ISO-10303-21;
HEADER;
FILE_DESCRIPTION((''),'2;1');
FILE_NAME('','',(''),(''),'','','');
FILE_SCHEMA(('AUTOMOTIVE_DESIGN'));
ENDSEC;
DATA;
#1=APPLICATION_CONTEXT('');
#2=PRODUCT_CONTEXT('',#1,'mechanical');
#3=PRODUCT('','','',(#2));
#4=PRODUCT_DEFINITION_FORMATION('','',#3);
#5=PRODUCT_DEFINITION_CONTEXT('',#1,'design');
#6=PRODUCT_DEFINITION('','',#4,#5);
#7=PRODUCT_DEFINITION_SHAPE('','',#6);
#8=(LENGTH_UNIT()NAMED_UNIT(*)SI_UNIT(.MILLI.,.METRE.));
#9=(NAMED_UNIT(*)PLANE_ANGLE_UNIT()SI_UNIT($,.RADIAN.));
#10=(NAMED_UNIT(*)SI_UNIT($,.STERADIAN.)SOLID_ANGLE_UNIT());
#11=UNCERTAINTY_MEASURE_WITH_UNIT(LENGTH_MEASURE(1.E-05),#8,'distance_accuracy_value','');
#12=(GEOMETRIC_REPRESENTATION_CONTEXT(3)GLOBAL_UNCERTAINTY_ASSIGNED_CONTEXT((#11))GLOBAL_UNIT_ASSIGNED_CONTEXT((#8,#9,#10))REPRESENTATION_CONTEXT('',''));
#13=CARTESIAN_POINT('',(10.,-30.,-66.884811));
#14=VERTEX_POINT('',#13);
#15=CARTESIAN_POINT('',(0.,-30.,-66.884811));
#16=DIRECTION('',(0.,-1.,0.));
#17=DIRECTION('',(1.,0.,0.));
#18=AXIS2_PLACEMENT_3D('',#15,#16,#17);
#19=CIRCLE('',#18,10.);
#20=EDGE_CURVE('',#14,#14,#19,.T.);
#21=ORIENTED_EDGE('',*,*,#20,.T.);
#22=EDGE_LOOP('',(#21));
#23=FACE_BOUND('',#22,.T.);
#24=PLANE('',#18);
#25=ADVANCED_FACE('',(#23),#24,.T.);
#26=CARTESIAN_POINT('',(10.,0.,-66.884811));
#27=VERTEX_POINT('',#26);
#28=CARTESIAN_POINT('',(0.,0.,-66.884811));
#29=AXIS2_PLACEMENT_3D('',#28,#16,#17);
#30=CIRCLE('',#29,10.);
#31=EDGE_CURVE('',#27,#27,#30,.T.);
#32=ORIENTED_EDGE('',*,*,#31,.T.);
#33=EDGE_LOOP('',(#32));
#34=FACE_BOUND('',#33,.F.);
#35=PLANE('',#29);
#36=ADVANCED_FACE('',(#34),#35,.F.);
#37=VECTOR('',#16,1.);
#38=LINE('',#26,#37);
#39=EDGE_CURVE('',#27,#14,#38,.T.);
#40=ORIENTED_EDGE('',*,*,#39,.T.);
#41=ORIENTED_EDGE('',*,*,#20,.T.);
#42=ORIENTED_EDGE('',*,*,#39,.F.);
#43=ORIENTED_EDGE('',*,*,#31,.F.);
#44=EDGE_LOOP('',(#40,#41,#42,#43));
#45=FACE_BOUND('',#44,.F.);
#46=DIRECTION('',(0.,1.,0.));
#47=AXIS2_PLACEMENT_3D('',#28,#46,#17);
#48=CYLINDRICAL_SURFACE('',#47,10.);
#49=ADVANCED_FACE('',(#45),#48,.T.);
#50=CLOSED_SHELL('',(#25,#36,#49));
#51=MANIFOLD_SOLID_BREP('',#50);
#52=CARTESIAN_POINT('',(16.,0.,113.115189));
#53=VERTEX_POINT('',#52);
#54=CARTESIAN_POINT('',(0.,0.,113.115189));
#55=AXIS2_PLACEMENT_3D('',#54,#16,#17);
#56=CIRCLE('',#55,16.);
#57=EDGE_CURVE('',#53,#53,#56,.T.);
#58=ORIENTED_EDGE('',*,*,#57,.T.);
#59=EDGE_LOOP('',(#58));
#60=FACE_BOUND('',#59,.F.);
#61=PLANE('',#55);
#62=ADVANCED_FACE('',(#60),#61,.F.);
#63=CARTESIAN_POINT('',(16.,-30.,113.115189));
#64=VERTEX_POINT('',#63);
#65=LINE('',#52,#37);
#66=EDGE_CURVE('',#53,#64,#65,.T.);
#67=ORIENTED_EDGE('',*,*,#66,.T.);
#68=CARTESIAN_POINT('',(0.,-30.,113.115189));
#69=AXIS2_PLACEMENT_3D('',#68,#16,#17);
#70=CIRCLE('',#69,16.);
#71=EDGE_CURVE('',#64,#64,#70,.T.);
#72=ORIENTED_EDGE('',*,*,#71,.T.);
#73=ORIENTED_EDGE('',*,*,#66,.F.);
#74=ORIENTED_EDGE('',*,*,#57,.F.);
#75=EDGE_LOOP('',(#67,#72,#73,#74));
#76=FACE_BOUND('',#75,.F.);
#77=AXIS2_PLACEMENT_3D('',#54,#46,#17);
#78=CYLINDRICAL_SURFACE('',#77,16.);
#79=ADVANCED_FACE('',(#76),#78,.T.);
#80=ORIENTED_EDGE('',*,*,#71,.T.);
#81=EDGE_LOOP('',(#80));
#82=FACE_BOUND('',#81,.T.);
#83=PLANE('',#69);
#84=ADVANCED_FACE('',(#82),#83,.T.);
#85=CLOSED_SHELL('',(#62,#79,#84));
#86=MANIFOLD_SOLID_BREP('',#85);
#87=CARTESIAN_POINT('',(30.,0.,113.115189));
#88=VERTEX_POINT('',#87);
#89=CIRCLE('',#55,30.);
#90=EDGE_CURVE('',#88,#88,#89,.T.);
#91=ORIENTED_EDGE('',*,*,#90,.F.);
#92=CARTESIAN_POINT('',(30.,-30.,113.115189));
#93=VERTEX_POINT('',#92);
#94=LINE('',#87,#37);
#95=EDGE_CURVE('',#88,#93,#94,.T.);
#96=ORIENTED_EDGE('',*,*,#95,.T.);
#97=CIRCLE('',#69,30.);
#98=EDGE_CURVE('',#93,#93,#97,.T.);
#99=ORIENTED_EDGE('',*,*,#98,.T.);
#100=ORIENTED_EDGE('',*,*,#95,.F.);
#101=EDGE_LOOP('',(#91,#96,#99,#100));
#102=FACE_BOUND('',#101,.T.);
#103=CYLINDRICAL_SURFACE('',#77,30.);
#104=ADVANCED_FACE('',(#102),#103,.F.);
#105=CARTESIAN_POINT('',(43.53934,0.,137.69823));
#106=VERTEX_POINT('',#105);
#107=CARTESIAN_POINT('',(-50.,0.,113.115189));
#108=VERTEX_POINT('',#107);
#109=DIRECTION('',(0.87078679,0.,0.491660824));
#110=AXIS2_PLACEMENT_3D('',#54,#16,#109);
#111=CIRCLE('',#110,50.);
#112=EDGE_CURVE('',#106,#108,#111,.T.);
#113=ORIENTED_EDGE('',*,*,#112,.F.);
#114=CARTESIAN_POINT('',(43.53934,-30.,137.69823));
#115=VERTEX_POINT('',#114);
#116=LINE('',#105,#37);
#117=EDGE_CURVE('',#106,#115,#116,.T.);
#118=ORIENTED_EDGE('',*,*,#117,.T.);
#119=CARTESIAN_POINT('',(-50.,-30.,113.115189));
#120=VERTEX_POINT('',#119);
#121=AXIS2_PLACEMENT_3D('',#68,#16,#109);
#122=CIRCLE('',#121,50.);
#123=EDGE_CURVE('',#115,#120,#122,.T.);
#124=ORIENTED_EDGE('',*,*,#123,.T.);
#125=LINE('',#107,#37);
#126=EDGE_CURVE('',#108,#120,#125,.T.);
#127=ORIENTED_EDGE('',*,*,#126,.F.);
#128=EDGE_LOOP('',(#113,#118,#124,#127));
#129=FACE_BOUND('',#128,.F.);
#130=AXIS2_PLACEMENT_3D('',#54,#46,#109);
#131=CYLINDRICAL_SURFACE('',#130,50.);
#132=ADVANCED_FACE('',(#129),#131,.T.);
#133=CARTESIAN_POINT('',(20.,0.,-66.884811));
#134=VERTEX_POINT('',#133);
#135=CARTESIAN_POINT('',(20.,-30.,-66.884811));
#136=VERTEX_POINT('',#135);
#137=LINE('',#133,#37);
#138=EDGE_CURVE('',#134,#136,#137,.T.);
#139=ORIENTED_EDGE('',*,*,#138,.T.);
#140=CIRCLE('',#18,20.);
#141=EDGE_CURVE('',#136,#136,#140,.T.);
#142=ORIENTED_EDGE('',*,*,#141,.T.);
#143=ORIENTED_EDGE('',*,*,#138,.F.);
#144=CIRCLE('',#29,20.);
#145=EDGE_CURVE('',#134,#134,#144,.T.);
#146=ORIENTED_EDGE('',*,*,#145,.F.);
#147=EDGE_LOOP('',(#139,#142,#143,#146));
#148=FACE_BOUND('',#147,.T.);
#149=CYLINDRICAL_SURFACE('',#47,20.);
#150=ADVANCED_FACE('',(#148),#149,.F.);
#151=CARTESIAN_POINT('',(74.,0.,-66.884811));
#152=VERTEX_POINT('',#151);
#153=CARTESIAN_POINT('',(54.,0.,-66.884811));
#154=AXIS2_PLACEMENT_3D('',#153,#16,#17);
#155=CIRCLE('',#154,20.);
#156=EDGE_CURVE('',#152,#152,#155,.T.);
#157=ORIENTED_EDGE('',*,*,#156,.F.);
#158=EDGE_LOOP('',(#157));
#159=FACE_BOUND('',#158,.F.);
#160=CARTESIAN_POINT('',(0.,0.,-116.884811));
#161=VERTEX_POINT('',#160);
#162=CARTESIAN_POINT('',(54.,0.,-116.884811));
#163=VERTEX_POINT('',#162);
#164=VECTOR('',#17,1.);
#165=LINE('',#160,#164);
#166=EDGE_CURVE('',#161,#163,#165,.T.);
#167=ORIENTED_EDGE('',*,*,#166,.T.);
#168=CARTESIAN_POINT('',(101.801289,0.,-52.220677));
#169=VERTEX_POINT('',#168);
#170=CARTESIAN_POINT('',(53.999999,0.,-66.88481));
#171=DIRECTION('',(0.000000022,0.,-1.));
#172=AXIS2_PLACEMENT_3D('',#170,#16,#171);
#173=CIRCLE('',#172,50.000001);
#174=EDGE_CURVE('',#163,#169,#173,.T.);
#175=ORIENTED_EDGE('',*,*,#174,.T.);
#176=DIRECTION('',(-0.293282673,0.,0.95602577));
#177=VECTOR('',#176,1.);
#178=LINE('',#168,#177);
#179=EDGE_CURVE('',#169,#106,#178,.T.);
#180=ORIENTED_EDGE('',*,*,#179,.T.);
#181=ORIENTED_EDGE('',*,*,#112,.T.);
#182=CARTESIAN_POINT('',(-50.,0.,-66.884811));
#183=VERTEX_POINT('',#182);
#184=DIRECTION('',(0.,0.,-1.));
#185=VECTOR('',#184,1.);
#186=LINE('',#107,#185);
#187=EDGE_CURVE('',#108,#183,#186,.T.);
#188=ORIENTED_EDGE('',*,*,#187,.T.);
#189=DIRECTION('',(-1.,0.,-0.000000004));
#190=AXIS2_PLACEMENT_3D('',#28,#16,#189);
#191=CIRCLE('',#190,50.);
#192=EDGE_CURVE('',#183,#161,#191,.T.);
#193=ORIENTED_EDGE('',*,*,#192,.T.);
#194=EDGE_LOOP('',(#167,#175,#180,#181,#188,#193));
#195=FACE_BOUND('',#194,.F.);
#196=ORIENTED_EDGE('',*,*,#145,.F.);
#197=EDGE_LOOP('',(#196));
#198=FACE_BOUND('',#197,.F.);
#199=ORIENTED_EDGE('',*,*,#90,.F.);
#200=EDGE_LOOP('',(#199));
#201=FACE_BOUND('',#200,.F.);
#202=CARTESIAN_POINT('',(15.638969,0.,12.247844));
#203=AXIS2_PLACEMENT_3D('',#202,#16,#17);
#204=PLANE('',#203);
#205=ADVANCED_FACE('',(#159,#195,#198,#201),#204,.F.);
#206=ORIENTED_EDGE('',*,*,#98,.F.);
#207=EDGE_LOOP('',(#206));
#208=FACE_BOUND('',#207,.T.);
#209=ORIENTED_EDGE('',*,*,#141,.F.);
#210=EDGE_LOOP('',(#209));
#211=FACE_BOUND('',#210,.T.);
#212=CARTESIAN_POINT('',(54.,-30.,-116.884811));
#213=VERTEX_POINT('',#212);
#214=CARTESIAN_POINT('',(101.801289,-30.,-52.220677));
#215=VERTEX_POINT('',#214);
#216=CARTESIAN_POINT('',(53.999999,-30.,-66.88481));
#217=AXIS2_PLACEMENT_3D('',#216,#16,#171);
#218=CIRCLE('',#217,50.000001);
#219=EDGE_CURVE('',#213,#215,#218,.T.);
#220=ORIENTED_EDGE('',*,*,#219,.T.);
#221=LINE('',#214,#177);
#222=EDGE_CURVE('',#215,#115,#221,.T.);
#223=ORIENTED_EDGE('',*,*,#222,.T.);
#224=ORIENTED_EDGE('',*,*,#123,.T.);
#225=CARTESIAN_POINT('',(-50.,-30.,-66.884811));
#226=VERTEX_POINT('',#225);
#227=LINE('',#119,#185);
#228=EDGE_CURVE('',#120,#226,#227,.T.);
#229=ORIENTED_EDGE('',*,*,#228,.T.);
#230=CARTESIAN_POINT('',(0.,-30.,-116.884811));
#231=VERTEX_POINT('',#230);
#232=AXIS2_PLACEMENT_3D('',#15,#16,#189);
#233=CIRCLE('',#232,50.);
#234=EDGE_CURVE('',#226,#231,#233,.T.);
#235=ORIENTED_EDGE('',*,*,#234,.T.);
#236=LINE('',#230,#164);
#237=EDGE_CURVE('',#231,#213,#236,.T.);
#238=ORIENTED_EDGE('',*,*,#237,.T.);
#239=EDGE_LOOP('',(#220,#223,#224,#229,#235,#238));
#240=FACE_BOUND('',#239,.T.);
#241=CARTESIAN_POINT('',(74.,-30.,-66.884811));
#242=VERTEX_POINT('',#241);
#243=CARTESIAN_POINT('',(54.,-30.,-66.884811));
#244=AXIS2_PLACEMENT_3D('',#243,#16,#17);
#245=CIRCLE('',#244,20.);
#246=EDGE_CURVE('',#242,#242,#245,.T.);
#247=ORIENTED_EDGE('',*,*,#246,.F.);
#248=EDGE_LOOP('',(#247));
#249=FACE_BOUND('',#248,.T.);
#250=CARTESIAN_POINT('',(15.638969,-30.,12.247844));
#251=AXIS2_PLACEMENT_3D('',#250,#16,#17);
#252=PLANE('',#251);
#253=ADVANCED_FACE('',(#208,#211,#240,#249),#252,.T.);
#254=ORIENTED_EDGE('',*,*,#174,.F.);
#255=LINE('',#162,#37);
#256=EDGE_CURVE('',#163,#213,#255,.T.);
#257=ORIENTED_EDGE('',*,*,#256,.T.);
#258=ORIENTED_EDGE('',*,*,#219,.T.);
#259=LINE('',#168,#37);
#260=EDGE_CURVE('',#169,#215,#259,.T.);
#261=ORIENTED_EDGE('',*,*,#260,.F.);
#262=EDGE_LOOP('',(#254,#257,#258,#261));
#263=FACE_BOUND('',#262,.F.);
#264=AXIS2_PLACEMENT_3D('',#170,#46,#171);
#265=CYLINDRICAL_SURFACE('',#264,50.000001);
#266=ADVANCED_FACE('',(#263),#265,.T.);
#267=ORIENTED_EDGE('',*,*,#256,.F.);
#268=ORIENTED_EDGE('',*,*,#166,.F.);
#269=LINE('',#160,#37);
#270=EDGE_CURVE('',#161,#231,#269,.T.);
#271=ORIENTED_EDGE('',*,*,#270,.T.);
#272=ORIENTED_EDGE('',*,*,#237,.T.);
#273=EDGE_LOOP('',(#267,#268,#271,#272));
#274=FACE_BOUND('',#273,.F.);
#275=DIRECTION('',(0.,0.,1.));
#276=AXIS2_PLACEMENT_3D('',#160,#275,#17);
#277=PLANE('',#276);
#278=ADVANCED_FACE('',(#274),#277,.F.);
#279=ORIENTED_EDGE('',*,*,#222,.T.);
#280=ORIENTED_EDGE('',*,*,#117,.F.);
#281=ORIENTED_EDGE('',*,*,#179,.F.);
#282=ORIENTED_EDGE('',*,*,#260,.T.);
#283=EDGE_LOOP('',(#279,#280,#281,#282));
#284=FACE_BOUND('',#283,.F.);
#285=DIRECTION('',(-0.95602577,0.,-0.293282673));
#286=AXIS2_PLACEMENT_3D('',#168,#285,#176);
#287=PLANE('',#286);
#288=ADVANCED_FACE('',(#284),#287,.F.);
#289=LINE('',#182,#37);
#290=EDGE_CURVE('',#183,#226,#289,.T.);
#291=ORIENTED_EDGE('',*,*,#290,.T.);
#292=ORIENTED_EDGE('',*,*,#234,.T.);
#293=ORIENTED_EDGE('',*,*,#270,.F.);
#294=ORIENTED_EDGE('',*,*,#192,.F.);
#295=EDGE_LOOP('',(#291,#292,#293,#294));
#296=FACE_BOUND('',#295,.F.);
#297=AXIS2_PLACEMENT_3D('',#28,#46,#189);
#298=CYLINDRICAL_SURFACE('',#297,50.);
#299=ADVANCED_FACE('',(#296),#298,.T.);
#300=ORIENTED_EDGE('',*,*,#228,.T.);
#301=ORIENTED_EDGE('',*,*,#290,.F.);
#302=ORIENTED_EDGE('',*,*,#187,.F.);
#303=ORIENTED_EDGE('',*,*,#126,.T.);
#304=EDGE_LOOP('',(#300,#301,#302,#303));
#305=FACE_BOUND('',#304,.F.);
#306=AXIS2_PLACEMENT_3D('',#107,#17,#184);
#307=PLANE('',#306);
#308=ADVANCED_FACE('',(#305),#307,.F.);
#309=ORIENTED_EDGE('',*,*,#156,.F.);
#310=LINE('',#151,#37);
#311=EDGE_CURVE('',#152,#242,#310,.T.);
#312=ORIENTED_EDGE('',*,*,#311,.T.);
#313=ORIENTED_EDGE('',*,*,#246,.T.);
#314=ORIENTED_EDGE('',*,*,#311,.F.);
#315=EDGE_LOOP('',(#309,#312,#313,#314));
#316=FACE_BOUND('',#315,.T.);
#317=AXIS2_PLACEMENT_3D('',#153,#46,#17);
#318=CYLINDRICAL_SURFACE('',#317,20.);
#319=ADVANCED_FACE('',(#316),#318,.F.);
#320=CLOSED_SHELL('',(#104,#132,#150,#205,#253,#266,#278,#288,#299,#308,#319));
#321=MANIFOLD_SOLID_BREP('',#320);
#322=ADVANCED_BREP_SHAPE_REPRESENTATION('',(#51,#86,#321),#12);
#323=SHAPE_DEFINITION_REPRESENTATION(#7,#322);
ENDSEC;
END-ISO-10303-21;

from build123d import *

# Parameters (mm, degrees)
F0_R     = 20
F0_R_2   = 30
F0_R_3   = 10
F0_R_4   = 16
F1_DEPTH = 30


with BuildPart() as f1:
    # F0 (on Front) → F1 (new body)
    with BuildSketch(Plane.XZ):
        with BuildLine():
            Line((-50, 113.115189), (-50, -66.884811))
            ThreePointArc((-50, -66.884811), (-35.355339, -102.24015), (0, -116.884811))
            Line((0, -116.884811), (54, -116.884811))
            ThreePointArc((54, -116.884811), (94.207006, -96.6068), (101.801289, -52.220677))
            Line((101.801289, -52.220677), (43.53934, 137.69823))
            ThreePointArc((43.53934, 137.69823), (-12.708914, 161.473058), (-50, 113.115189))
        make_face()
        with Locations((0, -66.884811)):
            Circle(F0_R, mode=Mode.SUBTRACT)
        with Locations((54, -66.884811)):
            Circle(F0_R, mode=Mode.SUBTRACT)
        with Locations((0, 113.115189)):
            Circle(F0_R_2, mode=Mode.SUBTRACT)
        with Locations((0, -66.884811)):
            Circle(F0_R_3)
        with Locations((0, 113.115189)):
            Circle(F0_R_4)
    extrude(amount=F1_DEPTH)


solid = f1.part
